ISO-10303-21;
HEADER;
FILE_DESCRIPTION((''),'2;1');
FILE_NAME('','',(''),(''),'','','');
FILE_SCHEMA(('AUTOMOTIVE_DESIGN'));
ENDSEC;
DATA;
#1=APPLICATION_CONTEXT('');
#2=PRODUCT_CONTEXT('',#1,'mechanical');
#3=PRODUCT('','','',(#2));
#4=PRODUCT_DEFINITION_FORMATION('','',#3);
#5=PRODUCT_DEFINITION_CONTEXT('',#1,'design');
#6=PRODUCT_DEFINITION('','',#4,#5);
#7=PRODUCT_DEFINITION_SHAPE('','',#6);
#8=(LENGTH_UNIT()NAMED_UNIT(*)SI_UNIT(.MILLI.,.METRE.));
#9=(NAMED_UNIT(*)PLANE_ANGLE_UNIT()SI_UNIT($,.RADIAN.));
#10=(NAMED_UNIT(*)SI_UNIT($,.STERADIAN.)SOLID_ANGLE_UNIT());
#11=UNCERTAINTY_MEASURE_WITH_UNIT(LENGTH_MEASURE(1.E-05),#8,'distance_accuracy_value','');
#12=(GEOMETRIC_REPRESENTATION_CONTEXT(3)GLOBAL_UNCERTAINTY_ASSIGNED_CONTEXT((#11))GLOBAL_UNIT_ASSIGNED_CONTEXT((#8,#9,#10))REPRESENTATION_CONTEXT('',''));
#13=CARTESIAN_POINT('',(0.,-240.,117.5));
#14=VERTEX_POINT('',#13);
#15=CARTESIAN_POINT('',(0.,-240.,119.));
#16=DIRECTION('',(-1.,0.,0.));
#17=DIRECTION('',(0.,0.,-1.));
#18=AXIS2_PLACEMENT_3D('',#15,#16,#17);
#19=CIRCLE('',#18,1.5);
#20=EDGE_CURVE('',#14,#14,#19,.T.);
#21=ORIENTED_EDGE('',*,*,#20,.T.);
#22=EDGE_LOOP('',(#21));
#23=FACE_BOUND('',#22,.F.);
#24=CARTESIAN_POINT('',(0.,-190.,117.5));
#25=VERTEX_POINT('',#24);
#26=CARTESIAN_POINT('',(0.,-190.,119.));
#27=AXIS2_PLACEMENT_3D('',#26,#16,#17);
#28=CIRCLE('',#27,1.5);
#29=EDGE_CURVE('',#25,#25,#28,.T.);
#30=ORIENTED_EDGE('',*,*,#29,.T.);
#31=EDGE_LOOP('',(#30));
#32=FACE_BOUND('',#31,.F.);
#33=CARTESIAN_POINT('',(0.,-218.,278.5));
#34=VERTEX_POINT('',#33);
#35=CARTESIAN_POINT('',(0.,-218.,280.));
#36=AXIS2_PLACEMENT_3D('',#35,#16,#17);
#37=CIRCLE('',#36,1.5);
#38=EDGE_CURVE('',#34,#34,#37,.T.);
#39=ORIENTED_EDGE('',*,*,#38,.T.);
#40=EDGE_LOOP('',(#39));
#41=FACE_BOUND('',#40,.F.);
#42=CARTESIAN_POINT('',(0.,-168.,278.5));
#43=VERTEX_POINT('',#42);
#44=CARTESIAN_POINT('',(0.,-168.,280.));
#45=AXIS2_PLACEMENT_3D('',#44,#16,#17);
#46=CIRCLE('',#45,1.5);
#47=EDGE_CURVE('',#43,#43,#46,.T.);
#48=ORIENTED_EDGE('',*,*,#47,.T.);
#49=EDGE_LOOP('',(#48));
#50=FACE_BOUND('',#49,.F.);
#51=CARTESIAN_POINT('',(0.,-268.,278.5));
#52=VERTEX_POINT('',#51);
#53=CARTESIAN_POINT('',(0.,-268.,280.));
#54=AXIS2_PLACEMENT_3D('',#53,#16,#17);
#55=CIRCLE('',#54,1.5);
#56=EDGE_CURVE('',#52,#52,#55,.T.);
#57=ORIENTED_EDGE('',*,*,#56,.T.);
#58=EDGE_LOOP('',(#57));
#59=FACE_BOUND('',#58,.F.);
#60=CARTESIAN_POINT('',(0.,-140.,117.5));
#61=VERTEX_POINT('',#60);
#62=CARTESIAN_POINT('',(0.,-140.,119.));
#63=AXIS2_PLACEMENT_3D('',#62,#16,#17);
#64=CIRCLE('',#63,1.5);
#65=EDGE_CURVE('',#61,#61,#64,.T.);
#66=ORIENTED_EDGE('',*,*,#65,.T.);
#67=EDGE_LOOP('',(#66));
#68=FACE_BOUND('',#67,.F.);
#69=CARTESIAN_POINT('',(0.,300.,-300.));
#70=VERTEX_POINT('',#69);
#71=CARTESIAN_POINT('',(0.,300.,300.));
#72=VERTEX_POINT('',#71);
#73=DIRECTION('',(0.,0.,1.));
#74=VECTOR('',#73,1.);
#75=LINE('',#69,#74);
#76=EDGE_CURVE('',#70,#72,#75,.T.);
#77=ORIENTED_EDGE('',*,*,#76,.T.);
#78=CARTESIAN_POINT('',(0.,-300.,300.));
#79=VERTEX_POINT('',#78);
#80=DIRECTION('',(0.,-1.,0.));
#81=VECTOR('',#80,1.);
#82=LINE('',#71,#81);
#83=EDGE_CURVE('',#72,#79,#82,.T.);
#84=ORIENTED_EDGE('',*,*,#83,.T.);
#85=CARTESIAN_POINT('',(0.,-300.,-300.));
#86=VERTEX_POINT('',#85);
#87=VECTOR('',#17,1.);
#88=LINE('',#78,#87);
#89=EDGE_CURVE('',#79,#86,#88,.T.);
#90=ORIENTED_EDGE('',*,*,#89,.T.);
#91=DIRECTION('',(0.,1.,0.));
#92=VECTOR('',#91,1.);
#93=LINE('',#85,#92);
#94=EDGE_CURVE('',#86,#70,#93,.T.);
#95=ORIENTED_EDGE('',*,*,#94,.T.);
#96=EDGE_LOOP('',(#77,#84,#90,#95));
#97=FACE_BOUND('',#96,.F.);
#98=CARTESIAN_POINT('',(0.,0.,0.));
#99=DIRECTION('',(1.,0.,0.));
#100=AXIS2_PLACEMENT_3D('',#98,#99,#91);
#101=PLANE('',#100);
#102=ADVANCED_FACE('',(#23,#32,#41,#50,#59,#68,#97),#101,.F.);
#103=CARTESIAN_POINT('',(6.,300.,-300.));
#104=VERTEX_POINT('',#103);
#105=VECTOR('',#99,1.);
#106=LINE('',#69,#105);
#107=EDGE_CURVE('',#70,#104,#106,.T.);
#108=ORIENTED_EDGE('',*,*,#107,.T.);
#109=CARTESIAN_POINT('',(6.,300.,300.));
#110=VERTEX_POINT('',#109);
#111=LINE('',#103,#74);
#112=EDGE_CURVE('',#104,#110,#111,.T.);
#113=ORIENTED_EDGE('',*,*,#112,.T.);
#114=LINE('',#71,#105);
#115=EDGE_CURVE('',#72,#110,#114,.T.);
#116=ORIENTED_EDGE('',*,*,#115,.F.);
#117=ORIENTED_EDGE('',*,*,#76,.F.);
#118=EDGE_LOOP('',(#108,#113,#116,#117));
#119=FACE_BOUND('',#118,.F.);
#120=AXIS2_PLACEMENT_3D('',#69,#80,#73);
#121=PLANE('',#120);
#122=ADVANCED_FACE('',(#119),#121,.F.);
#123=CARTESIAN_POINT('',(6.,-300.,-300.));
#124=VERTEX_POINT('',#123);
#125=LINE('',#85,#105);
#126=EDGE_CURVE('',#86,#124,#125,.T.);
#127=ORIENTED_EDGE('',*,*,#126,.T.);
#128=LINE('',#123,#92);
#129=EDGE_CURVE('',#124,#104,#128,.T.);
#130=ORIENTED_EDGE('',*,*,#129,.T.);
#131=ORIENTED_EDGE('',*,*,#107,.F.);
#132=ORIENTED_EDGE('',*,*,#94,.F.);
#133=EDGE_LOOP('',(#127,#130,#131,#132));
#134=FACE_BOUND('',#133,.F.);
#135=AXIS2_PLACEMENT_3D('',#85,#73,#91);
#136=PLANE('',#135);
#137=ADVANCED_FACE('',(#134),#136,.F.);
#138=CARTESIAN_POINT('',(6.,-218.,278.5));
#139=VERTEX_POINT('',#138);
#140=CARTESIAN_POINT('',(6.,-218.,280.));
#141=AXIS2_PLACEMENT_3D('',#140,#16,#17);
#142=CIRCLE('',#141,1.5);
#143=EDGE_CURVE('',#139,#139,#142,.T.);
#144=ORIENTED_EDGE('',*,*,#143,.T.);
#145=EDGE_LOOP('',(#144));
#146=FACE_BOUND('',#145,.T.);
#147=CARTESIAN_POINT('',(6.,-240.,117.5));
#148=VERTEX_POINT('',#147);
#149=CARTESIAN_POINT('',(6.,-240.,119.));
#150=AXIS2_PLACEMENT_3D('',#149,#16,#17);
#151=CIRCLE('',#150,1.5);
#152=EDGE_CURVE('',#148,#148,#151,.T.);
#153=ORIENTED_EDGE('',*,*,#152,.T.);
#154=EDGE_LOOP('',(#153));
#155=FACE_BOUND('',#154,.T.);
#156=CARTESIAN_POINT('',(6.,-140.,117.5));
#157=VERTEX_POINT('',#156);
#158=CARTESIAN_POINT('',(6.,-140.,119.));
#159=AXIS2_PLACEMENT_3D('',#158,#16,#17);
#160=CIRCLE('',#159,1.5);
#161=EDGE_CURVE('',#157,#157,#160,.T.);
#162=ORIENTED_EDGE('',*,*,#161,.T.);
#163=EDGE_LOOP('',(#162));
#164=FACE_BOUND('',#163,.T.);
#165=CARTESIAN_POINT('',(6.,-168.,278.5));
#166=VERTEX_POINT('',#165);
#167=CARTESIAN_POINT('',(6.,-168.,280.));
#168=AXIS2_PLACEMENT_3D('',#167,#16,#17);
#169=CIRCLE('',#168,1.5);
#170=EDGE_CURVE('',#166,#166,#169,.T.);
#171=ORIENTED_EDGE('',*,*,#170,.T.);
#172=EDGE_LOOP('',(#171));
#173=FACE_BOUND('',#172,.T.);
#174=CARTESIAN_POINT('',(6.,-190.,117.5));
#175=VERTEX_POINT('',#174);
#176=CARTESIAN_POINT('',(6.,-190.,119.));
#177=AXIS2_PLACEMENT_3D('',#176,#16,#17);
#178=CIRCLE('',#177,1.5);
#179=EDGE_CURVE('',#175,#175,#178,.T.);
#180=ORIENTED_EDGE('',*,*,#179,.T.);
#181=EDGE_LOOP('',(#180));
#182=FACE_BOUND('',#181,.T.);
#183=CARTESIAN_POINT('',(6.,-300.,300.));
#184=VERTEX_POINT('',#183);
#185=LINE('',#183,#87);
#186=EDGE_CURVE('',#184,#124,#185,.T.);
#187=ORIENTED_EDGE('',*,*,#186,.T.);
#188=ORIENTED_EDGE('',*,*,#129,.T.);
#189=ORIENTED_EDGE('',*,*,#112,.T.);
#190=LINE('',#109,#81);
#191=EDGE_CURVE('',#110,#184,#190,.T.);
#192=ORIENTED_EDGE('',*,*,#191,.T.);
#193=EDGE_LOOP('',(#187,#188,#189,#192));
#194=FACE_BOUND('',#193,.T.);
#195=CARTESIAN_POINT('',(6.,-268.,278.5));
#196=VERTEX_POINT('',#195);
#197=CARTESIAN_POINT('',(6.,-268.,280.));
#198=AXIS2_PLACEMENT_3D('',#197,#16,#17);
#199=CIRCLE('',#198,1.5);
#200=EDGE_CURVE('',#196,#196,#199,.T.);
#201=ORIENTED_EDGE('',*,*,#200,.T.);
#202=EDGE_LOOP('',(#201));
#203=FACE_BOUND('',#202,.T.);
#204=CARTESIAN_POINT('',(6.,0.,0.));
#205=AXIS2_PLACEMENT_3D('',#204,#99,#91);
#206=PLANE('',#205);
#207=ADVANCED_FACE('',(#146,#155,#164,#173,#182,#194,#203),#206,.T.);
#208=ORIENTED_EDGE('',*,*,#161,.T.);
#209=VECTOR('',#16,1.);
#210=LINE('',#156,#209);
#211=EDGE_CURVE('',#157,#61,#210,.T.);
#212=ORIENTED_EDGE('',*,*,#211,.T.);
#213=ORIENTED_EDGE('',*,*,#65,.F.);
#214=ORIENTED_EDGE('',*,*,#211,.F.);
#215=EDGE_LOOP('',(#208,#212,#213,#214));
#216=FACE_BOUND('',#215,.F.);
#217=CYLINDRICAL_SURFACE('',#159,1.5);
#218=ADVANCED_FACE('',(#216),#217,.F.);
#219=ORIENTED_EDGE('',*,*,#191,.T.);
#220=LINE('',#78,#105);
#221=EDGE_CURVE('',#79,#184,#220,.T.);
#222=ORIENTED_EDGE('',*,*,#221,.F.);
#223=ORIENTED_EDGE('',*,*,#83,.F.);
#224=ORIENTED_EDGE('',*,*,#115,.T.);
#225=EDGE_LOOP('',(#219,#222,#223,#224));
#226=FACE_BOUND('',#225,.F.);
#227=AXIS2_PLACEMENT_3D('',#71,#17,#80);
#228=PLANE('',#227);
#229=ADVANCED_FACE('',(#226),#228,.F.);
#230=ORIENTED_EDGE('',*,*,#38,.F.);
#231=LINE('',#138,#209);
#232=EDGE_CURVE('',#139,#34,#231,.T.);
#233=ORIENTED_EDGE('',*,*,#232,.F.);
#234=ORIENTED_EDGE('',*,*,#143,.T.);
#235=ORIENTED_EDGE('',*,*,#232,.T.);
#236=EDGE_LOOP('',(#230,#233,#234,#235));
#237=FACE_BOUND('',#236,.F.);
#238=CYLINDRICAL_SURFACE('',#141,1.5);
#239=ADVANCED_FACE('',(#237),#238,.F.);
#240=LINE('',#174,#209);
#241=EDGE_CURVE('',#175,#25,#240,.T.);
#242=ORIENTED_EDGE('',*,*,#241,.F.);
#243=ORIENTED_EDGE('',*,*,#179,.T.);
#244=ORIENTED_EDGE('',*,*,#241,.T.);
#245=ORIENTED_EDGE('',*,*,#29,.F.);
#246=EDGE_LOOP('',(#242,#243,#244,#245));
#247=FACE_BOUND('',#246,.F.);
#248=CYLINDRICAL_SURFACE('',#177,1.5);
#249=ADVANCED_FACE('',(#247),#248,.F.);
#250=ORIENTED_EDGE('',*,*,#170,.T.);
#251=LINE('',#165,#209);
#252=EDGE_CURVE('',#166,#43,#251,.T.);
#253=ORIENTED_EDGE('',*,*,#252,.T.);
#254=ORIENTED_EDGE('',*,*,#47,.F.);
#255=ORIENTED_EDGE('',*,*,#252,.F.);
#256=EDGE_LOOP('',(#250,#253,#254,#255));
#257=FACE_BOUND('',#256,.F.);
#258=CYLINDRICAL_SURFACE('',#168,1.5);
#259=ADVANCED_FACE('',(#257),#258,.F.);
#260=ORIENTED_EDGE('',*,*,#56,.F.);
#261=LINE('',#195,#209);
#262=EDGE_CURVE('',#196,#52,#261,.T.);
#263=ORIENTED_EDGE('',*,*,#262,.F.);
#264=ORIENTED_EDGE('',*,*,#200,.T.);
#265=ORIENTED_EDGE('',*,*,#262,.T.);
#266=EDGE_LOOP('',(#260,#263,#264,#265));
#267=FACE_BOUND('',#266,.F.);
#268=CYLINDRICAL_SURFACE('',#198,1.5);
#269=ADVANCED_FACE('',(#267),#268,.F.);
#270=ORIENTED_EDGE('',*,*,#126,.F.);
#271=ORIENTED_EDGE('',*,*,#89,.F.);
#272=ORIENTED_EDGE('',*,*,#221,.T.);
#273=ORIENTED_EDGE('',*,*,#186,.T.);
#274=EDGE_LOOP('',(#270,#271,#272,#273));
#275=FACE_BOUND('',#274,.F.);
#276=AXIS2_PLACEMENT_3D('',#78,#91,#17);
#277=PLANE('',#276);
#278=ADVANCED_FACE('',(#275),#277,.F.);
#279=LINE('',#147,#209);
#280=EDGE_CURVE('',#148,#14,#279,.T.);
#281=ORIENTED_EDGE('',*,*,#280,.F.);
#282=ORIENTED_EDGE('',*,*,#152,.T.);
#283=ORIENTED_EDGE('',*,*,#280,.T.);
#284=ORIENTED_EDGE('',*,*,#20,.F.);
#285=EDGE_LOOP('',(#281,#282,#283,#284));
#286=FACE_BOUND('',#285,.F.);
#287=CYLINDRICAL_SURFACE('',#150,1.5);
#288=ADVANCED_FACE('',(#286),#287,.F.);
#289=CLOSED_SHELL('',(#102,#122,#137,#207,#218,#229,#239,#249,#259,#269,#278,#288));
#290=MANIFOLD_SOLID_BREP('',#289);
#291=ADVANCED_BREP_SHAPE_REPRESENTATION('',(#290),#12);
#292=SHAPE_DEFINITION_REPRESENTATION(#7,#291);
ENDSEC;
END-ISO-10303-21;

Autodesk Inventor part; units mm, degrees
ref_plane "YZ Plane" through (0, 0, 0) normal (1, 0, 0) x (0, 1, 0)
ref_plane "XZ Plane" through (0, 0, 0) normal (0, 1, 0) x (-1, 0, 0)
ref_plane "XY Plane" through (0, 0, 0) normal (0, 0, 1) x (1, 0, 0)
sketch "Sketch2" plane through (0, 0, 0) normal (1, 0, 0) x (0, 1, 0)
  line L0 (-300, -300) -> (300, -300)
  line L1 (300, -300) -> (300, 300)
  line L2 (300, 300) -> (-300, 300)
  line L3 (-300, 300) -> (-300, -300)
  line L4 (-300, -300) -> (300, 300) construction
  line L5 (300, -300) -> (-300, 300) construction
  point P0 (0, 0)
  dimension "d0" = 600
  dimension "d1" = 600
extrude "Extrusion1" add sketch "Sketch2" along normal blind 6
sketch "Sketch3" plane through (6, 0, 0) normal (1, 0, 0) x (0, 0, -1)
  line L0 (0, 0) -> (-280, 0) construction
  line L1 (-280, 0) -> (-280, -268) construction
  line L2 (-119, 0) -> (-119, -268) construction
  line L3 (-119, -268) -> (-280, -268) construction
  line L4 (-280, -240) -> (-119, -240) construction
  line L5 (-284.5, -274) -> (-114.5, -274) construction
  line L6 (-114.5, -274) -> (-114.5, -234) construction
  line L7 (-114.5, -234) -> (-284.5, -234) construction
  line L8 (-284.5, -234) -> (-284.5, -274) construction
  line L9 (-199.5, -274) -> (-199.5, -268) construction
  line L10 (-199.5, -240) -> (-199.5, -234) construction
  dimension "d13" = 161
  dimension "d14" = 28
  dimension "d15" = 240
  dimension "d16" = 280
  dimension "d17" = 40
  dimension "d18" = 170
hole "Hole1" at (6, -268, 280) at (6, -240, 119) direction (-1, 0, 0) diameter 3 end through all
pattern_linear "Rectangular Pattern1" count 3 spacing 50 along (0, 1, 0) of "Hole1"
properties part number "RT_FRM_MC_009_ElectricalBackPlate_Inside"
